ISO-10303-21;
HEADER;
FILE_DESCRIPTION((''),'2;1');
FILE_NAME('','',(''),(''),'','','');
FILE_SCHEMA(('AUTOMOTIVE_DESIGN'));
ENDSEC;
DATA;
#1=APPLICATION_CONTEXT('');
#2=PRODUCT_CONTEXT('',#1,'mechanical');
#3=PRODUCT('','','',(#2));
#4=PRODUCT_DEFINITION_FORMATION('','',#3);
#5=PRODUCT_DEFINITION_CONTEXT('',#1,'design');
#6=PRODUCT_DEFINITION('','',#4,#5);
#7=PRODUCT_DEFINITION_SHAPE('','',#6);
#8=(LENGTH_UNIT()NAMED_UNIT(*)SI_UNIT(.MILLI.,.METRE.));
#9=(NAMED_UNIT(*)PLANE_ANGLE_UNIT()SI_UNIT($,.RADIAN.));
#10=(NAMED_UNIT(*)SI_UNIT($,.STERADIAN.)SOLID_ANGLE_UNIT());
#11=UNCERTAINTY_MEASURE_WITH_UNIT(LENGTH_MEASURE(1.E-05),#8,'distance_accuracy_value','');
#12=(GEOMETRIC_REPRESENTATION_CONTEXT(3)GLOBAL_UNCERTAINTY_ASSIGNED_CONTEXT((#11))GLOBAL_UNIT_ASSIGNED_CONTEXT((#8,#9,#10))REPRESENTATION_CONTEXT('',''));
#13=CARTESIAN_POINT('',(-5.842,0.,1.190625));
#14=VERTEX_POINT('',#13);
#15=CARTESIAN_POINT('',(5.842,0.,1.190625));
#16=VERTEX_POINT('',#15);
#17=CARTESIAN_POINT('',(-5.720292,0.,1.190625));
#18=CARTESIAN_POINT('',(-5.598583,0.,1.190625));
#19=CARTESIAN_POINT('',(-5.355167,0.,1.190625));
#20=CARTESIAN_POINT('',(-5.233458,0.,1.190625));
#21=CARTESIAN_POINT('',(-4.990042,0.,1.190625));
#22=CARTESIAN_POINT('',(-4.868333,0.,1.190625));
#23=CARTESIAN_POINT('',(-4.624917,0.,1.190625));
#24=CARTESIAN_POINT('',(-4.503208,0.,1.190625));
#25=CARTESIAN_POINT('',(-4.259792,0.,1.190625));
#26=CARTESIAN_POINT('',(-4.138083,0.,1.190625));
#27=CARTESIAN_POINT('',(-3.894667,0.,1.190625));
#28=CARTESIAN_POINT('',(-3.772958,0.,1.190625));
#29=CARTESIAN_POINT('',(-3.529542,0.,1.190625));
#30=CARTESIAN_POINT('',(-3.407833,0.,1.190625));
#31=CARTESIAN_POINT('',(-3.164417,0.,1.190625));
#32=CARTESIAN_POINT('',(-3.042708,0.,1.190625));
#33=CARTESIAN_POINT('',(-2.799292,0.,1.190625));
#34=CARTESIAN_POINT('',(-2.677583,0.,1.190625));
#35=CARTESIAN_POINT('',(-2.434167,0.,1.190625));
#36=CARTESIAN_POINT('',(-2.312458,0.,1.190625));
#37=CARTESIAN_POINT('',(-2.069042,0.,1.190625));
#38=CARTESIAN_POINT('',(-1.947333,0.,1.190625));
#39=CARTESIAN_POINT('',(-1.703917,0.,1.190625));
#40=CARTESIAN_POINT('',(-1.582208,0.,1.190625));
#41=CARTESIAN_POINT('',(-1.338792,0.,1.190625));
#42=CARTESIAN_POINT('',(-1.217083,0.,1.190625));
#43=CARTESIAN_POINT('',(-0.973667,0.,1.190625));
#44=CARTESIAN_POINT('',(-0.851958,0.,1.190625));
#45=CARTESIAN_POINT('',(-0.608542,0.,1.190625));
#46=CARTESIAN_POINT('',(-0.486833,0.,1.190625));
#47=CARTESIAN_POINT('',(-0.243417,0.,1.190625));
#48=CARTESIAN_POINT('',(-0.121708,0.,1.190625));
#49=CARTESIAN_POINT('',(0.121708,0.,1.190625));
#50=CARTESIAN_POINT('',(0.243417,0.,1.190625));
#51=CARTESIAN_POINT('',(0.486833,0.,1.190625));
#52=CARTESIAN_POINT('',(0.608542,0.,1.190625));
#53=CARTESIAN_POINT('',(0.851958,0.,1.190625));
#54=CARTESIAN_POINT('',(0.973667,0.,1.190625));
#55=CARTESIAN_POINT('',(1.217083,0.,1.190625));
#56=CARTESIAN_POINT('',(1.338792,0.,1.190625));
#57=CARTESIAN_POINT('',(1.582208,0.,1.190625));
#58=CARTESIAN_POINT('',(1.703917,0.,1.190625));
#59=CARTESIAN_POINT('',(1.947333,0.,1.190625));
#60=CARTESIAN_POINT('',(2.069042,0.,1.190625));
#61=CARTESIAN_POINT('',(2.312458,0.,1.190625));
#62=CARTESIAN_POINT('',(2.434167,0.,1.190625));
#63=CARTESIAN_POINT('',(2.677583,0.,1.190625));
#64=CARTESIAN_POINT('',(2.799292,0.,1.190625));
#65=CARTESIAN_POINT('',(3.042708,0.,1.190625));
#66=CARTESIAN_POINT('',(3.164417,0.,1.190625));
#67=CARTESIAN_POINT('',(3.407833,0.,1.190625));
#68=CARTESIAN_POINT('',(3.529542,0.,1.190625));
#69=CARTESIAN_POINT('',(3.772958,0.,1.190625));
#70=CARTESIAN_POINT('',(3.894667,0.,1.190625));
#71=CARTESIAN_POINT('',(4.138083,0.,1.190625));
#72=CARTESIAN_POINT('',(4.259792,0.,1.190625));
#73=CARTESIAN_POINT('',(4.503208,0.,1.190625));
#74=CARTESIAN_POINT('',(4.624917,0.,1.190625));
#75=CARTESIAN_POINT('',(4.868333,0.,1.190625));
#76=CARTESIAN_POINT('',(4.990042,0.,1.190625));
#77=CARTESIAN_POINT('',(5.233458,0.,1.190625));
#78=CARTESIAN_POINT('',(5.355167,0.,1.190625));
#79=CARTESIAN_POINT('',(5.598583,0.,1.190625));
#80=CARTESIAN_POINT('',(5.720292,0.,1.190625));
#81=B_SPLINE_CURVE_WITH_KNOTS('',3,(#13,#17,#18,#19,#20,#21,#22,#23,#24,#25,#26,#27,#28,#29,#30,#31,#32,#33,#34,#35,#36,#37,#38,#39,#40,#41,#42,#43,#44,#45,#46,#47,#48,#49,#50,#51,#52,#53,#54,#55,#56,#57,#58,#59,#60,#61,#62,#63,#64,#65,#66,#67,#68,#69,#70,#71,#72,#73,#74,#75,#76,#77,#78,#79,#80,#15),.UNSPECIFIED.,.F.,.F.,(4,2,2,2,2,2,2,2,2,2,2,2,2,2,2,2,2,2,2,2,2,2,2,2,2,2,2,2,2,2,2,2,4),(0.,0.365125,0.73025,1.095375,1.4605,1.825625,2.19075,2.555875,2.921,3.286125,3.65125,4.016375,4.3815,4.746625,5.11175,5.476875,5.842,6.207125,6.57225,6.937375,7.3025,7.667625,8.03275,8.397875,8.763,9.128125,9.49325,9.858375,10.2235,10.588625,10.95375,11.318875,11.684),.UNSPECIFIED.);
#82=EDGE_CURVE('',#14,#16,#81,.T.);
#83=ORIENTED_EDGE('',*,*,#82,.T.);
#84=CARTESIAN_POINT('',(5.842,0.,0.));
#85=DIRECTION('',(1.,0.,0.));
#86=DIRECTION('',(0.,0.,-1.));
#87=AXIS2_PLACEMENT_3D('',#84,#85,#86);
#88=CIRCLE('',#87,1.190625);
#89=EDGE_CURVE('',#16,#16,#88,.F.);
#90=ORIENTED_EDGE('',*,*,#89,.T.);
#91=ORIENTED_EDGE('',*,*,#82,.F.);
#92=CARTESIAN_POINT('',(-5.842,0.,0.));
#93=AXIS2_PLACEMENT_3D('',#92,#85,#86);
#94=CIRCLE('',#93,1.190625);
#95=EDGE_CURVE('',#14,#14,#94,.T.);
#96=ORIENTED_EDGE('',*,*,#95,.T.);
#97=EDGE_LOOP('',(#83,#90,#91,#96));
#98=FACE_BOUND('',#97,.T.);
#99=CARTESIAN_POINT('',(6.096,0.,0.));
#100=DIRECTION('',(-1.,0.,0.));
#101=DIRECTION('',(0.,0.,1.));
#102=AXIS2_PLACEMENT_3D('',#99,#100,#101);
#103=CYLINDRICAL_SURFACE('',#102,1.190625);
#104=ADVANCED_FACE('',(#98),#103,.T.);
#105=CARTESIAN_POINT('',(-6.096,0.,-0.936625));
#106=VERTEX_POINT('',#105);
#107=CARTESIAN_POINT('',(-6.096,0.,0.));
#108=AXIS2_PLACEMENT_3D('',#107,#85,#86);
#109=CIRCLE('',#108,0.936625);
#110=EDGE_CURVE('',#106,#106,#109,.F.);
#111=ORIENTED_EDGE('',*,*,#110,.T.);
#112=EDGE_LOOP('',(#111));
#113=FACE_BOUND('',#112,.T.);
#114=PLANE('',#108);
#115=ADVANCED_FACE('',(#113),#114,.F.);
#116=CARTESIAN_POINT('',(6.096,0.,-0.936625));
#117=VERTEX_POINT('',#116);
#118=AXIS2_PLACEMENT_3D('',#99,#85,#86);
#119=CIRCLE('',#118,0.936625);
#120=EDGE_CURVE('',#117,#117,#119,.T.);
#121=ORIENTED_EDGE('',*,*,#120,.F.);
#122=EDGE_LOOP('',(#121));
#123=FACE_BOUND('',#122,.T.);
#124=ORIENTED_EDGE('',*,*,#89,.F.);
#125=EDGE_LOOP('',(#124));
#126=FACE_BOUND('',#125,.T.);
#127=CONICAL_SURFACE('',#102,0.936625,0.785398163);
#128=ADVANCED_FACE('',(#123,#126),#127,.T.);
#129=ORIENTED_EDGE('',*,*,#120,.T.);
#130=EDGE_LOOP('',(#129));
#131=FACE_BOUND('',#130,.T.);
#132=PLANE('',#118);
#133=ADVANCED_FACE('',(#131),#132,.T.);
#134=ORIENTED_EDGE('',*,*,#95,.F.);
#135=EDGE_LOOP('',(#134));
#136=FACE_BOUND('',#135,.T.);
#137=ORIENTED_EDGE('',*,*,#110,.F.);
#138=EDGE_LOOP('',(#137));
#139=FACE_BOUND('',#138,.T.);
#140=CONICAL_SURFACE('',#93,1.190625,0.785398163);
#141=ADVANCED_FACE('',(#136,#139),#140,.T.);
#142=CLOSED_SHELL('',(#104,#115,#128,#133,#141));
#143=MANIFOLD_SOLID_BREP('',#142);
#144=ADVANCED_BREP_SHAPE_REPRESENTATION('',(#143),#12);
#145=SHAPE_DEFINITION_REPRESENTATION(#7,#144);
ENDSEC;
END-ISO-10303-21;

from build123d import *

# Parameters (mm, degrees)
SKETCH1_R      = 1.190625
EXTRUDE1_DEPTH = 6.096
CHAMFER1_SIZE  = 0.254


with BuildPart() as part:
    # Sketch1 → Extrude1 (new, symmetric)
    with BuildSketch(Plane(origin=(0, 0, 0), x_dir=(0, 0, -1), z_dir=(1, 0, 0))):
        with Locations(Location((0, 0, 0), (0, 0, 180))):
            Circle(SKETCH1_R)
    extrude(amount=EXTRUDE1_DEPTH, both=True)

    # Chamfer1
    chamfer1_edges = [part.edges().sort_by_distance(p)[0] for p in [
        (-6.096, 0, -1.190625),
        (6.096, 0, -1.190625),
    ]]
    chamfer(chamfer1_edges, length=CHAMFER1_SIZE)


solid = part.part
